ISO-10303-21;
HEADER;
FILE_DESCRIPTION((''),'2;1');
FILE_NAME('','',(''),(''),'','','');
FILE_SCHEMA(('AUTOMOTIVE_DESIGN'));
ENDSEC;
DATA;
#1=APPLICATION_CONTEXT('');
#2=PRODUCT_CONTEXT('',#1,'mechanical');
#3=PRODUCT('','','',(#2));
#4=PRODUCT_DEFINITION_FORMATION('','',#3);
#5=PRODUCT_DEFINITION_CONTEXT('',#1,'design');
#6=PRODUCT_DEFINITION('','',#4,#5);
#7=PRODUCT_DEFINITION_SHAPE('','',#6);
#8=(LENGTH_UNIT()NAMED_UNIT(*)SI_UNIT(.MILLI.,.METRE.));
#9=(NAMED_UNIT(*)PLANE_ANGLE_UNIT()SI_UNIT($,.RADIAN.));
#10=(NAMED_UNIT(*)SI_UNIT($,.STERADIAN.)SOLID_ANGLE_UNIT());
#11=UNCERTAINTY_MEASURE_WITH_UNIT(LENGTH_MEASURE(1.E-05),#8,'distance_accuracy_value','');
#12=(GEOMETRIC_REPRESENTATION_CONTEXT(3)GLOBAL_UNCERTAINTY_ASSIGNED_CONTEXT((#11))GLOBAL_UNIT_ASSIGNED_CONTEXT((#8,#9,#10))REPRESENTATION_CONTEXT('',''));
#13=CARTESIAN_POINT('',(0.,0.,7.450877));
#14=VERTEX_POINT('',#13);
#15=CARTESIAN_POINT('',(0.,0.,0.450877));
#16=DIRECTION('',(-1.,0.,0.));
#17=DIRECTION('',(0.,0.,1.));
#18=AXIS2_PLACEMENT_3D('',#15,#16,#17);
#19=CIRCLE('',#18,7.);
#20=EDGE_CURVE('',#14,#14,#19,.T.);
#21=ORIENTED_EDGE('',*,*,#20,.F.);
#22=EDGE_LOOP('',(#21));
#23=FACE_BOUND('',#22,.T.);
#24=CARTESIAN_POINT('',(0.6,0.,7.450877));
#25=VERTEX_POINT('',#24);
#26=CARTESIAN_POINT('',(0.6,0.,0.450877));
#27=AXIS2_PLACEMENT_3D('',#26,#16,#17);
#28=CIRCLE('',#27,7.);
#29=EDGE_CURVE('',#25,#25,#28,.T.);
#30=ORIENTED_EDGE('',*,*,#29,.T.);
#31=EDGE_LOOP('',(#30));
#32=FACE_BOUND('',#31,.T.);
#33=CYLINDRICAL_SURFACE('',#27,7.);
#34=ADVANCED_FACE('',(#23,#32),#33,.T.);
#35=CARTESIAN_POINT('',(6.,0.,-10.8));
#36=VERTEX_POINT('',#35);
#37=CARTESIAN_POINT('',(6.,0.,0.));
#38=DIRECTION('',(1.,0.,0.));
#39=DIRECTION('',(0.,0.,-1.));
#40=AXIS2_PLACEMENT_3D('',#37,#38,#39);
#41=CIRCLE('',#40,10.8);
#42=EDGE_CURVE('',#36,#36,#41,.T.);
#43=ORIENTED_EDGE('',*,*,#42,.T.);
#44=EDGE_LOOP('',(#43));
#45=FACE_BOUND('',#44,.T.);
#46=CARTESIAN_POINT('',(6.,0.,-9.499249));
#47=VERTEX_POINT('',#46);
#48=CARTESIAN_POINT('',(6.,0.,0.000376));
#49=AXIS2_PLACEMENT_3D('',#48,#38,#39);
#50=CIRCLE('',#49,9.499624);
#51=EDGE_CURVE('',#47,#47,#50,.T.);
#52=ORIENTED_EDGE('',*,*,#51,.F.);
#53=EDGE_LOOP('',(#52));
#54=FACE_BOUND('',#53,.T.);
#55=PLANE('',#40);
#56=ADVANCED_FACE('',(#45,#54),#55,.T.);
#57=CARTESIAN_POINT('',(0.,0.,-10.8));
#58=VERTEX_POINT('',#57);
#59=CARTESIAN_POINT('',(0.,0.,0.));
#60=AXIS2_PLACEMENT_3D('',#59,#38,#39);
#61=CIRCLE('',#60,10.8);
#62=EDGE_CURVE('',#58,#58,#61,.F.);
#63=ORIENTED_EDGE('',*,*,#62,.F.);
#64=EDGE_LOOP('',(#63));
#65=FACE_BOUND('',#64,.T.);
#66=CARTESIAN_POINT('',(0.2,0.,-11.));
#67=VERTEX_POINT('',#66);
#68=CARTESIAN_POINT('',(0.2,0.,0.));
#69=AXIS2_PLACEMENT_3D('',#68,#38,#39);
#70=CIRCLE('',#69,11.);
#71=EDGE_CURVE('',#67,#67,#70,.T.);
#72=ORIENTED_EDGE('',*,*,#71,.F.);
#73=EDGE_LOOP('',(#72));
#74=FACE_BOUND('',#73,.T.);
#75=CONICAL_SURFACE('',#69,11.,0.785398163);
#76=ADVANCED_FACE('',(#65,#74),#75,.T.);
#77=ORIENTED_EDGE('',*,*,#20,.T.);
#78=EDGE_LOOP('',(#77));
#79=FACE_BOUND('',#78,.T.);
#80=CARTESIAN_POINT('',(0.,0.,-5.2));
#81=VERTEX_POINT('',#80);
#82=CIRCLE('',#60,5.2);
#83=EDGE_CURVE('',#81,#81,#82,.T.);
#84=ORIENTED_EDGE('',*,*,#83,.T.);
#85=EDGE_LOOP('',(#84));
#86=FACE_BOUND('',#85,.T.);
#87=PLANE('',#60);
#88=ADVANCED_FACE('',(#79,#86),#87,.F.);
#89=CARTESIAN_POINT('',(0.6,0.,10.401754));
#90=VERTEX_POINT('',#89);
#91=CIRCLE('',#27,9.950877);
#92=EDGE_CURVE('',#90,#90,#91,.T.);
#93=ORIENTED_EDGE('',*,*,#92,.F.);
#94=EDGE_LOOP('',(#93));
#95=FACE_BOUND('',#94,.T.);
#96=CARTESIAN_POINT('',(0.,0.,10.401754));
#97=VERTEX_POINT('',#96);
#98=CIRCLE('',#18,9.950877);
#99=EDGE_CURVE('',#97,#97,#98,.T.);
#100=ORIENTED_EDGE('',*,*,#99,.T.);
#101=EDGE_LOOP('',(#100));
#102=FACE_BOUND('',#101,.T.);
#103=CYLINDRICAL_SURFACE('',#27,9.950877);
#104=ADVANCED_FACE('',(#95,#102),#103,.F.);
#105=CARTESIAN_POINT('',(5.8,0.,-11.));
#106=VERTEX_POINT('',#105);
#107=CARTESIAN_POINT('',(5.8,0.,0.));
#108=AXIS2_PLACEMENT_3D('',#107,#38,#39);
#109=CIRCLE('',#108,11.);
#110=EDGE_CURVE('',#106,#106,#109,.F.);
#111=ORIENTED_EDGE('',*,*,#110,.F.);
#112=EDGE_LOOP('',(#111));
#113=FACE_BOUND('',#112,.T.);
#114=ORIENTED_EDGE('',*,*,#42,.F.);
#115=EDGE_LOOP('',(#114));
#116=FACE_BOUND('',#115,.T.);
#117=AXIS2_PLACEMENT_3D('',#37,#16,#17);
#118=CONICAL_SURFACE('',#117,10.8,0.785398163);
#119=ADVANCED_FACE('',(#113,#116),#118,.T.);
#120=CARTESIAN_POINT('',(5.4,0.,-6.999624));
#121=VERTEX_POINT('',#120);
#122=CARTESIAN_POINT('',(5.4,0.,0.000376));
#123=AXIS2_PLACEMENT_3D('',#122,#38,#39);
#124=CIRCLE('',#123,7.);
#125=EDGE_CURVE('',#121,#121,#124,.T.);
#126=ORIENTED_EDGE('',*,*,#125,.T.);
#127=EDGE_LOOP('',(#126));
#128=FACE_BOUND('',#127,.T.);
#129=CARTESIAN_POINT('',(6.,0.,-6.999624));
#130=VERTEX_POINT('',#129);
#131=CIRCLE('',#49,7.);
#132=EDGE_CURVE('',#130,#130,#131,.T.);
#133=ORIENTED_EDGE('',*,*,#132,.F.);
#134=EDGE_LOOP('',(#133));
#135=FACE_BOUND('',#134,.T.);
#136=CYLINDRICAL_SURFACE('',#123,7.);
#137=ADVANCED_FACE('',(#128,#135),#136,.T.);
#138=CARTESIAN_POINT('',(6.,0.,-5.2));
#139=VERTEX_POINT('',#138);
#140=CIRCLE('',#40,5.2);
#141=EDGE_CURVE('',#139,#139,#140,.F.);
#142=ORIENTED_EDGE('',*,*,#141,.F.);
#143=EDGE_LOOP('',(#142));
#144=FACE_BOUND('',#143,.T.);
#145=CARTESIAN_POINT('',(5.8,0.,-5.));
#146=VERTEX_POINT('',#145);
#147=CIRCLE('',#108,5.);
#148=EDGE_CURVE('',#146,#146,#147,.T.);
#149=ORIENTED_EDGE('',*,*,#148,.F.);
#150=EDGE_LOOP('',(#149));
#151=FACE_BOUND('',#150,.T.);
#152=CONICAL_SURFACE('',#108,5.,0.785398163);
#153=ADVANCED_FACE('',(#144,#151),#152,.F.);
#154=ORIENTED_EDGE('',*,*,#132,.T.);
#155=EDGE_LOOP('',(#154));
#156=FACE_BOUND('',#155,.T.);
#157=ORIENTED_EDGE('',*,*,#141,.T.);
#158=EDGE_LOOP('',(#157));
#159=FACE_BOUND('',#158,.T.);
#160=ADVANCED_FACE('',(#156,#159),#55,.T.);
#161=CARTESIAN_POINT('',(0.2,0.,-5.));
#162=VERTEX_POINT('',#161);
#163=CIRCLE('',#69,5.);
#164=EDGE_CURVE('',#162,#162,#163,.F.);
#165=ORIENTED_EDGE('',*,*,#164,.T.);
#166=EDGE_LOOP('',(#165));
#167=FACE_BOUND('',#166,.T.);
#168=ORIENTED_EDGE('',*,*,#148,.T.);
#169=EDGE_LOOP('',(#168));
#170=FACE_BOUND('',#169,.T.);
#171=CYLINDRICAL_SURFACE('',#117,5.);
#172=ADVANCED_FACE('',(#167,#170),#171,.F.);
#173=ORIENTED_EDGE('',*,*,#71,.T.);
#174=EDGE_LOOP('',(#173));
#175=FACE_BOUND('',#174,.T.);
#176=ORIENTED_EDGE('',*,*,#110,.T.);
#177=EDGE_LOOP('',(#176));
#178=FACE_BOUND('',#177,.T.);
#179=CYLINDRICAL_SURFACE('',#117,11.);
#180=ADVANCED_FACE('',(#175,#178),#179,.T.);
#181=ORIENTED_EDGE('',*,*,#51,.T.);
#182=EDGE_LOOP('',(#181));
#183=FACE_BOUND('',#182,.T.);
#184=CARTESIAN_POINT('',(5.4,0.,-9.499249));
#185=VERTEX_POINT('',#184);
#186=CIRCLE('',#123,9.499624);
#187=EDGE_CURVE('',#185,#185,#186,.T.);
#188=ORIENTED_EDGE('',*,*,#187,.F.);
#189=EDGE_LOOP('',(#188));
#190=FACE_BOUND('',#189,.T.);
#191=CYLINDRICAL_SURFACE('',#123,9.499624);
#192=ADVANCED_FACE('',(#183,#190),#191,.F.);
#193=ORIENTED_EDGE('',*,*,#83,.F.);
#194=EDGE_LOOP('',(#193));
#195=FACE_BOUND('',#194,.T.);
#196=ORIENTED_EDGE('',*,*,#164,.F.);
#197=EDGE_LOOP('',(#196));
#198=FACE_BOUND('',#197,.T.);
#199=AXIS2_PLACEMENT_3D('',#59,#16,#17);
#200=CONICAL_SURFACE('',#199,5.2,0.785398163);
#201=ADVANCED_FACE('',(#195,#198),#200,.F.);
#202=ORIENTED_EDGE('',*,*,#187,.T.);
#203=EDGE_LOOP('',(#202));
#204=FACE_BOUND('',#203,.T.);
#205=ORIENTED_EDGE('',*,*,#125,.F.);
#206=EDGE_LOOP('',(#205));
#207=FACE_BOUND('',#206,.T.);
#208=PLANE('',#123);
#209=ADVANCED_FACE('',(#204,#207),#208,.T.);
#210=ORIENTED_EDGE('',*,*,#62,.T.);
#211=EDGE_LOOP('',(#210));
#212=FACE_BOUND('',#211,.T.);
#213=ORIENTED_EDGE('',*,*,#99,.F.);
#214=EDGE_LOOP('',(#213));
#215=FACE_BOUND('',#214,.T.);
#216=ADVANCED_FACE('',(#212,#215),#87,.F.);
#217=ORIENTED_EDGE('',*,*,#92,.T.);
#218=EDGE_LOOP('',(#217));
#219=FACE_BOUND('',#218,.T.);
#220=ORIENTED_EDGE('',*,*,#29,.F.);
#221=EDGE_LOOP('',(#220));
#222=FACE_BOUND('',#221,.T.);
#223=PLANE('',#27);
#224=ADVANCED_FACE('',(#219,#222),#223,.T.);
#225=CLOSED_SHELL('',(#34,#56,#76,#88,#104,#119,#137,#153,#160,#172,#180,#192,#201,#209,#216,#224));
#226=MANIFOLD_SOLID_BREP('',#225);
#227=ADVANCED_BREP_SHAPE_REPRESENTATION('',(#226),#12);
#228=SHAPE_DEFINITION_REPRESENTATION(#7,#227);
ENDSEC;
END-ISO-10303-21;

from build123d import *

# Parameters (mm, degrees)
SKETCH_1_R          = 11
SKETCH_1_R_2        = 5
EXTRUDE_1_DEPTH     = 6
SKETCH_2_R          = 9.499624375
SKETCH_2_R_2        = 7
CUT_EXTRUDE_1_DEPTH = 0.6
SKETCH_3_R          = 9.950876812
SKETCH_3_R_2        = 7
CUT_EXTRUDE_2_DEPTH = 0.6
CHAMFER_1_SIZE      = 0.2


with BuildPart() as part:
    # 草图1 → 凸台-拉伸1 (new body)
    with BuildSketch(Plane(origin=(0, 0, 0), x_dir=(0, 0, -1), z_dir=(1, 0, 0))):
        Circle(SKETCH_1_R)
        Circle(SKETCH_1_R_2, mode=Mode.SUBTRACT)
    extrude(amount=EXTRUDE_1_DEPTH)

    # 草图2 → 切除-拉伸1 (cut)
    with BuildSketch(Plane(origin=(6, 0, 0), x_dir=(0, 0, -1), z_dir=(1, 0, 0))):
        with Locations((-0.000375625, 0)):
            Circle(SKETCH_2_R)
        with Locations((-0.000375625, 0)):
            Circle(SKETCH_2_R_2, mode=Mode.SUBTRACT)
    extrude(amount=-CUT_EXTRUDE_1_DEPTH, mode=Mode.SUBTRACT)

    # 草图3 → 切除-拉伸2 (cut)
    with BuildSketch(Plane.ZY):
        with Locations((0.450876812, 0)):
            Circle(SKETCH_3_R)
        with Locations((0.450876812, 0)):
            Circle(SKETCH_3_R_2, mode=Mode.SUBTRACT)
    extrude(amount=-CUT_EXTRUDE_2_DEPTH, mode=Mode.SUBTRACT)

    # 倒角1
    chamfer_1_edges = [part.edges().sort_by_distance(p)[0] for p in [
        (0, 0, 11),
        (6, 0, 11),
        (0, 0, 5),
        (6, 0, 5),
    ]]
    chamfer(chamfer_1_edges, length=CHAMFER_1_SIZE)


solid = part.part
